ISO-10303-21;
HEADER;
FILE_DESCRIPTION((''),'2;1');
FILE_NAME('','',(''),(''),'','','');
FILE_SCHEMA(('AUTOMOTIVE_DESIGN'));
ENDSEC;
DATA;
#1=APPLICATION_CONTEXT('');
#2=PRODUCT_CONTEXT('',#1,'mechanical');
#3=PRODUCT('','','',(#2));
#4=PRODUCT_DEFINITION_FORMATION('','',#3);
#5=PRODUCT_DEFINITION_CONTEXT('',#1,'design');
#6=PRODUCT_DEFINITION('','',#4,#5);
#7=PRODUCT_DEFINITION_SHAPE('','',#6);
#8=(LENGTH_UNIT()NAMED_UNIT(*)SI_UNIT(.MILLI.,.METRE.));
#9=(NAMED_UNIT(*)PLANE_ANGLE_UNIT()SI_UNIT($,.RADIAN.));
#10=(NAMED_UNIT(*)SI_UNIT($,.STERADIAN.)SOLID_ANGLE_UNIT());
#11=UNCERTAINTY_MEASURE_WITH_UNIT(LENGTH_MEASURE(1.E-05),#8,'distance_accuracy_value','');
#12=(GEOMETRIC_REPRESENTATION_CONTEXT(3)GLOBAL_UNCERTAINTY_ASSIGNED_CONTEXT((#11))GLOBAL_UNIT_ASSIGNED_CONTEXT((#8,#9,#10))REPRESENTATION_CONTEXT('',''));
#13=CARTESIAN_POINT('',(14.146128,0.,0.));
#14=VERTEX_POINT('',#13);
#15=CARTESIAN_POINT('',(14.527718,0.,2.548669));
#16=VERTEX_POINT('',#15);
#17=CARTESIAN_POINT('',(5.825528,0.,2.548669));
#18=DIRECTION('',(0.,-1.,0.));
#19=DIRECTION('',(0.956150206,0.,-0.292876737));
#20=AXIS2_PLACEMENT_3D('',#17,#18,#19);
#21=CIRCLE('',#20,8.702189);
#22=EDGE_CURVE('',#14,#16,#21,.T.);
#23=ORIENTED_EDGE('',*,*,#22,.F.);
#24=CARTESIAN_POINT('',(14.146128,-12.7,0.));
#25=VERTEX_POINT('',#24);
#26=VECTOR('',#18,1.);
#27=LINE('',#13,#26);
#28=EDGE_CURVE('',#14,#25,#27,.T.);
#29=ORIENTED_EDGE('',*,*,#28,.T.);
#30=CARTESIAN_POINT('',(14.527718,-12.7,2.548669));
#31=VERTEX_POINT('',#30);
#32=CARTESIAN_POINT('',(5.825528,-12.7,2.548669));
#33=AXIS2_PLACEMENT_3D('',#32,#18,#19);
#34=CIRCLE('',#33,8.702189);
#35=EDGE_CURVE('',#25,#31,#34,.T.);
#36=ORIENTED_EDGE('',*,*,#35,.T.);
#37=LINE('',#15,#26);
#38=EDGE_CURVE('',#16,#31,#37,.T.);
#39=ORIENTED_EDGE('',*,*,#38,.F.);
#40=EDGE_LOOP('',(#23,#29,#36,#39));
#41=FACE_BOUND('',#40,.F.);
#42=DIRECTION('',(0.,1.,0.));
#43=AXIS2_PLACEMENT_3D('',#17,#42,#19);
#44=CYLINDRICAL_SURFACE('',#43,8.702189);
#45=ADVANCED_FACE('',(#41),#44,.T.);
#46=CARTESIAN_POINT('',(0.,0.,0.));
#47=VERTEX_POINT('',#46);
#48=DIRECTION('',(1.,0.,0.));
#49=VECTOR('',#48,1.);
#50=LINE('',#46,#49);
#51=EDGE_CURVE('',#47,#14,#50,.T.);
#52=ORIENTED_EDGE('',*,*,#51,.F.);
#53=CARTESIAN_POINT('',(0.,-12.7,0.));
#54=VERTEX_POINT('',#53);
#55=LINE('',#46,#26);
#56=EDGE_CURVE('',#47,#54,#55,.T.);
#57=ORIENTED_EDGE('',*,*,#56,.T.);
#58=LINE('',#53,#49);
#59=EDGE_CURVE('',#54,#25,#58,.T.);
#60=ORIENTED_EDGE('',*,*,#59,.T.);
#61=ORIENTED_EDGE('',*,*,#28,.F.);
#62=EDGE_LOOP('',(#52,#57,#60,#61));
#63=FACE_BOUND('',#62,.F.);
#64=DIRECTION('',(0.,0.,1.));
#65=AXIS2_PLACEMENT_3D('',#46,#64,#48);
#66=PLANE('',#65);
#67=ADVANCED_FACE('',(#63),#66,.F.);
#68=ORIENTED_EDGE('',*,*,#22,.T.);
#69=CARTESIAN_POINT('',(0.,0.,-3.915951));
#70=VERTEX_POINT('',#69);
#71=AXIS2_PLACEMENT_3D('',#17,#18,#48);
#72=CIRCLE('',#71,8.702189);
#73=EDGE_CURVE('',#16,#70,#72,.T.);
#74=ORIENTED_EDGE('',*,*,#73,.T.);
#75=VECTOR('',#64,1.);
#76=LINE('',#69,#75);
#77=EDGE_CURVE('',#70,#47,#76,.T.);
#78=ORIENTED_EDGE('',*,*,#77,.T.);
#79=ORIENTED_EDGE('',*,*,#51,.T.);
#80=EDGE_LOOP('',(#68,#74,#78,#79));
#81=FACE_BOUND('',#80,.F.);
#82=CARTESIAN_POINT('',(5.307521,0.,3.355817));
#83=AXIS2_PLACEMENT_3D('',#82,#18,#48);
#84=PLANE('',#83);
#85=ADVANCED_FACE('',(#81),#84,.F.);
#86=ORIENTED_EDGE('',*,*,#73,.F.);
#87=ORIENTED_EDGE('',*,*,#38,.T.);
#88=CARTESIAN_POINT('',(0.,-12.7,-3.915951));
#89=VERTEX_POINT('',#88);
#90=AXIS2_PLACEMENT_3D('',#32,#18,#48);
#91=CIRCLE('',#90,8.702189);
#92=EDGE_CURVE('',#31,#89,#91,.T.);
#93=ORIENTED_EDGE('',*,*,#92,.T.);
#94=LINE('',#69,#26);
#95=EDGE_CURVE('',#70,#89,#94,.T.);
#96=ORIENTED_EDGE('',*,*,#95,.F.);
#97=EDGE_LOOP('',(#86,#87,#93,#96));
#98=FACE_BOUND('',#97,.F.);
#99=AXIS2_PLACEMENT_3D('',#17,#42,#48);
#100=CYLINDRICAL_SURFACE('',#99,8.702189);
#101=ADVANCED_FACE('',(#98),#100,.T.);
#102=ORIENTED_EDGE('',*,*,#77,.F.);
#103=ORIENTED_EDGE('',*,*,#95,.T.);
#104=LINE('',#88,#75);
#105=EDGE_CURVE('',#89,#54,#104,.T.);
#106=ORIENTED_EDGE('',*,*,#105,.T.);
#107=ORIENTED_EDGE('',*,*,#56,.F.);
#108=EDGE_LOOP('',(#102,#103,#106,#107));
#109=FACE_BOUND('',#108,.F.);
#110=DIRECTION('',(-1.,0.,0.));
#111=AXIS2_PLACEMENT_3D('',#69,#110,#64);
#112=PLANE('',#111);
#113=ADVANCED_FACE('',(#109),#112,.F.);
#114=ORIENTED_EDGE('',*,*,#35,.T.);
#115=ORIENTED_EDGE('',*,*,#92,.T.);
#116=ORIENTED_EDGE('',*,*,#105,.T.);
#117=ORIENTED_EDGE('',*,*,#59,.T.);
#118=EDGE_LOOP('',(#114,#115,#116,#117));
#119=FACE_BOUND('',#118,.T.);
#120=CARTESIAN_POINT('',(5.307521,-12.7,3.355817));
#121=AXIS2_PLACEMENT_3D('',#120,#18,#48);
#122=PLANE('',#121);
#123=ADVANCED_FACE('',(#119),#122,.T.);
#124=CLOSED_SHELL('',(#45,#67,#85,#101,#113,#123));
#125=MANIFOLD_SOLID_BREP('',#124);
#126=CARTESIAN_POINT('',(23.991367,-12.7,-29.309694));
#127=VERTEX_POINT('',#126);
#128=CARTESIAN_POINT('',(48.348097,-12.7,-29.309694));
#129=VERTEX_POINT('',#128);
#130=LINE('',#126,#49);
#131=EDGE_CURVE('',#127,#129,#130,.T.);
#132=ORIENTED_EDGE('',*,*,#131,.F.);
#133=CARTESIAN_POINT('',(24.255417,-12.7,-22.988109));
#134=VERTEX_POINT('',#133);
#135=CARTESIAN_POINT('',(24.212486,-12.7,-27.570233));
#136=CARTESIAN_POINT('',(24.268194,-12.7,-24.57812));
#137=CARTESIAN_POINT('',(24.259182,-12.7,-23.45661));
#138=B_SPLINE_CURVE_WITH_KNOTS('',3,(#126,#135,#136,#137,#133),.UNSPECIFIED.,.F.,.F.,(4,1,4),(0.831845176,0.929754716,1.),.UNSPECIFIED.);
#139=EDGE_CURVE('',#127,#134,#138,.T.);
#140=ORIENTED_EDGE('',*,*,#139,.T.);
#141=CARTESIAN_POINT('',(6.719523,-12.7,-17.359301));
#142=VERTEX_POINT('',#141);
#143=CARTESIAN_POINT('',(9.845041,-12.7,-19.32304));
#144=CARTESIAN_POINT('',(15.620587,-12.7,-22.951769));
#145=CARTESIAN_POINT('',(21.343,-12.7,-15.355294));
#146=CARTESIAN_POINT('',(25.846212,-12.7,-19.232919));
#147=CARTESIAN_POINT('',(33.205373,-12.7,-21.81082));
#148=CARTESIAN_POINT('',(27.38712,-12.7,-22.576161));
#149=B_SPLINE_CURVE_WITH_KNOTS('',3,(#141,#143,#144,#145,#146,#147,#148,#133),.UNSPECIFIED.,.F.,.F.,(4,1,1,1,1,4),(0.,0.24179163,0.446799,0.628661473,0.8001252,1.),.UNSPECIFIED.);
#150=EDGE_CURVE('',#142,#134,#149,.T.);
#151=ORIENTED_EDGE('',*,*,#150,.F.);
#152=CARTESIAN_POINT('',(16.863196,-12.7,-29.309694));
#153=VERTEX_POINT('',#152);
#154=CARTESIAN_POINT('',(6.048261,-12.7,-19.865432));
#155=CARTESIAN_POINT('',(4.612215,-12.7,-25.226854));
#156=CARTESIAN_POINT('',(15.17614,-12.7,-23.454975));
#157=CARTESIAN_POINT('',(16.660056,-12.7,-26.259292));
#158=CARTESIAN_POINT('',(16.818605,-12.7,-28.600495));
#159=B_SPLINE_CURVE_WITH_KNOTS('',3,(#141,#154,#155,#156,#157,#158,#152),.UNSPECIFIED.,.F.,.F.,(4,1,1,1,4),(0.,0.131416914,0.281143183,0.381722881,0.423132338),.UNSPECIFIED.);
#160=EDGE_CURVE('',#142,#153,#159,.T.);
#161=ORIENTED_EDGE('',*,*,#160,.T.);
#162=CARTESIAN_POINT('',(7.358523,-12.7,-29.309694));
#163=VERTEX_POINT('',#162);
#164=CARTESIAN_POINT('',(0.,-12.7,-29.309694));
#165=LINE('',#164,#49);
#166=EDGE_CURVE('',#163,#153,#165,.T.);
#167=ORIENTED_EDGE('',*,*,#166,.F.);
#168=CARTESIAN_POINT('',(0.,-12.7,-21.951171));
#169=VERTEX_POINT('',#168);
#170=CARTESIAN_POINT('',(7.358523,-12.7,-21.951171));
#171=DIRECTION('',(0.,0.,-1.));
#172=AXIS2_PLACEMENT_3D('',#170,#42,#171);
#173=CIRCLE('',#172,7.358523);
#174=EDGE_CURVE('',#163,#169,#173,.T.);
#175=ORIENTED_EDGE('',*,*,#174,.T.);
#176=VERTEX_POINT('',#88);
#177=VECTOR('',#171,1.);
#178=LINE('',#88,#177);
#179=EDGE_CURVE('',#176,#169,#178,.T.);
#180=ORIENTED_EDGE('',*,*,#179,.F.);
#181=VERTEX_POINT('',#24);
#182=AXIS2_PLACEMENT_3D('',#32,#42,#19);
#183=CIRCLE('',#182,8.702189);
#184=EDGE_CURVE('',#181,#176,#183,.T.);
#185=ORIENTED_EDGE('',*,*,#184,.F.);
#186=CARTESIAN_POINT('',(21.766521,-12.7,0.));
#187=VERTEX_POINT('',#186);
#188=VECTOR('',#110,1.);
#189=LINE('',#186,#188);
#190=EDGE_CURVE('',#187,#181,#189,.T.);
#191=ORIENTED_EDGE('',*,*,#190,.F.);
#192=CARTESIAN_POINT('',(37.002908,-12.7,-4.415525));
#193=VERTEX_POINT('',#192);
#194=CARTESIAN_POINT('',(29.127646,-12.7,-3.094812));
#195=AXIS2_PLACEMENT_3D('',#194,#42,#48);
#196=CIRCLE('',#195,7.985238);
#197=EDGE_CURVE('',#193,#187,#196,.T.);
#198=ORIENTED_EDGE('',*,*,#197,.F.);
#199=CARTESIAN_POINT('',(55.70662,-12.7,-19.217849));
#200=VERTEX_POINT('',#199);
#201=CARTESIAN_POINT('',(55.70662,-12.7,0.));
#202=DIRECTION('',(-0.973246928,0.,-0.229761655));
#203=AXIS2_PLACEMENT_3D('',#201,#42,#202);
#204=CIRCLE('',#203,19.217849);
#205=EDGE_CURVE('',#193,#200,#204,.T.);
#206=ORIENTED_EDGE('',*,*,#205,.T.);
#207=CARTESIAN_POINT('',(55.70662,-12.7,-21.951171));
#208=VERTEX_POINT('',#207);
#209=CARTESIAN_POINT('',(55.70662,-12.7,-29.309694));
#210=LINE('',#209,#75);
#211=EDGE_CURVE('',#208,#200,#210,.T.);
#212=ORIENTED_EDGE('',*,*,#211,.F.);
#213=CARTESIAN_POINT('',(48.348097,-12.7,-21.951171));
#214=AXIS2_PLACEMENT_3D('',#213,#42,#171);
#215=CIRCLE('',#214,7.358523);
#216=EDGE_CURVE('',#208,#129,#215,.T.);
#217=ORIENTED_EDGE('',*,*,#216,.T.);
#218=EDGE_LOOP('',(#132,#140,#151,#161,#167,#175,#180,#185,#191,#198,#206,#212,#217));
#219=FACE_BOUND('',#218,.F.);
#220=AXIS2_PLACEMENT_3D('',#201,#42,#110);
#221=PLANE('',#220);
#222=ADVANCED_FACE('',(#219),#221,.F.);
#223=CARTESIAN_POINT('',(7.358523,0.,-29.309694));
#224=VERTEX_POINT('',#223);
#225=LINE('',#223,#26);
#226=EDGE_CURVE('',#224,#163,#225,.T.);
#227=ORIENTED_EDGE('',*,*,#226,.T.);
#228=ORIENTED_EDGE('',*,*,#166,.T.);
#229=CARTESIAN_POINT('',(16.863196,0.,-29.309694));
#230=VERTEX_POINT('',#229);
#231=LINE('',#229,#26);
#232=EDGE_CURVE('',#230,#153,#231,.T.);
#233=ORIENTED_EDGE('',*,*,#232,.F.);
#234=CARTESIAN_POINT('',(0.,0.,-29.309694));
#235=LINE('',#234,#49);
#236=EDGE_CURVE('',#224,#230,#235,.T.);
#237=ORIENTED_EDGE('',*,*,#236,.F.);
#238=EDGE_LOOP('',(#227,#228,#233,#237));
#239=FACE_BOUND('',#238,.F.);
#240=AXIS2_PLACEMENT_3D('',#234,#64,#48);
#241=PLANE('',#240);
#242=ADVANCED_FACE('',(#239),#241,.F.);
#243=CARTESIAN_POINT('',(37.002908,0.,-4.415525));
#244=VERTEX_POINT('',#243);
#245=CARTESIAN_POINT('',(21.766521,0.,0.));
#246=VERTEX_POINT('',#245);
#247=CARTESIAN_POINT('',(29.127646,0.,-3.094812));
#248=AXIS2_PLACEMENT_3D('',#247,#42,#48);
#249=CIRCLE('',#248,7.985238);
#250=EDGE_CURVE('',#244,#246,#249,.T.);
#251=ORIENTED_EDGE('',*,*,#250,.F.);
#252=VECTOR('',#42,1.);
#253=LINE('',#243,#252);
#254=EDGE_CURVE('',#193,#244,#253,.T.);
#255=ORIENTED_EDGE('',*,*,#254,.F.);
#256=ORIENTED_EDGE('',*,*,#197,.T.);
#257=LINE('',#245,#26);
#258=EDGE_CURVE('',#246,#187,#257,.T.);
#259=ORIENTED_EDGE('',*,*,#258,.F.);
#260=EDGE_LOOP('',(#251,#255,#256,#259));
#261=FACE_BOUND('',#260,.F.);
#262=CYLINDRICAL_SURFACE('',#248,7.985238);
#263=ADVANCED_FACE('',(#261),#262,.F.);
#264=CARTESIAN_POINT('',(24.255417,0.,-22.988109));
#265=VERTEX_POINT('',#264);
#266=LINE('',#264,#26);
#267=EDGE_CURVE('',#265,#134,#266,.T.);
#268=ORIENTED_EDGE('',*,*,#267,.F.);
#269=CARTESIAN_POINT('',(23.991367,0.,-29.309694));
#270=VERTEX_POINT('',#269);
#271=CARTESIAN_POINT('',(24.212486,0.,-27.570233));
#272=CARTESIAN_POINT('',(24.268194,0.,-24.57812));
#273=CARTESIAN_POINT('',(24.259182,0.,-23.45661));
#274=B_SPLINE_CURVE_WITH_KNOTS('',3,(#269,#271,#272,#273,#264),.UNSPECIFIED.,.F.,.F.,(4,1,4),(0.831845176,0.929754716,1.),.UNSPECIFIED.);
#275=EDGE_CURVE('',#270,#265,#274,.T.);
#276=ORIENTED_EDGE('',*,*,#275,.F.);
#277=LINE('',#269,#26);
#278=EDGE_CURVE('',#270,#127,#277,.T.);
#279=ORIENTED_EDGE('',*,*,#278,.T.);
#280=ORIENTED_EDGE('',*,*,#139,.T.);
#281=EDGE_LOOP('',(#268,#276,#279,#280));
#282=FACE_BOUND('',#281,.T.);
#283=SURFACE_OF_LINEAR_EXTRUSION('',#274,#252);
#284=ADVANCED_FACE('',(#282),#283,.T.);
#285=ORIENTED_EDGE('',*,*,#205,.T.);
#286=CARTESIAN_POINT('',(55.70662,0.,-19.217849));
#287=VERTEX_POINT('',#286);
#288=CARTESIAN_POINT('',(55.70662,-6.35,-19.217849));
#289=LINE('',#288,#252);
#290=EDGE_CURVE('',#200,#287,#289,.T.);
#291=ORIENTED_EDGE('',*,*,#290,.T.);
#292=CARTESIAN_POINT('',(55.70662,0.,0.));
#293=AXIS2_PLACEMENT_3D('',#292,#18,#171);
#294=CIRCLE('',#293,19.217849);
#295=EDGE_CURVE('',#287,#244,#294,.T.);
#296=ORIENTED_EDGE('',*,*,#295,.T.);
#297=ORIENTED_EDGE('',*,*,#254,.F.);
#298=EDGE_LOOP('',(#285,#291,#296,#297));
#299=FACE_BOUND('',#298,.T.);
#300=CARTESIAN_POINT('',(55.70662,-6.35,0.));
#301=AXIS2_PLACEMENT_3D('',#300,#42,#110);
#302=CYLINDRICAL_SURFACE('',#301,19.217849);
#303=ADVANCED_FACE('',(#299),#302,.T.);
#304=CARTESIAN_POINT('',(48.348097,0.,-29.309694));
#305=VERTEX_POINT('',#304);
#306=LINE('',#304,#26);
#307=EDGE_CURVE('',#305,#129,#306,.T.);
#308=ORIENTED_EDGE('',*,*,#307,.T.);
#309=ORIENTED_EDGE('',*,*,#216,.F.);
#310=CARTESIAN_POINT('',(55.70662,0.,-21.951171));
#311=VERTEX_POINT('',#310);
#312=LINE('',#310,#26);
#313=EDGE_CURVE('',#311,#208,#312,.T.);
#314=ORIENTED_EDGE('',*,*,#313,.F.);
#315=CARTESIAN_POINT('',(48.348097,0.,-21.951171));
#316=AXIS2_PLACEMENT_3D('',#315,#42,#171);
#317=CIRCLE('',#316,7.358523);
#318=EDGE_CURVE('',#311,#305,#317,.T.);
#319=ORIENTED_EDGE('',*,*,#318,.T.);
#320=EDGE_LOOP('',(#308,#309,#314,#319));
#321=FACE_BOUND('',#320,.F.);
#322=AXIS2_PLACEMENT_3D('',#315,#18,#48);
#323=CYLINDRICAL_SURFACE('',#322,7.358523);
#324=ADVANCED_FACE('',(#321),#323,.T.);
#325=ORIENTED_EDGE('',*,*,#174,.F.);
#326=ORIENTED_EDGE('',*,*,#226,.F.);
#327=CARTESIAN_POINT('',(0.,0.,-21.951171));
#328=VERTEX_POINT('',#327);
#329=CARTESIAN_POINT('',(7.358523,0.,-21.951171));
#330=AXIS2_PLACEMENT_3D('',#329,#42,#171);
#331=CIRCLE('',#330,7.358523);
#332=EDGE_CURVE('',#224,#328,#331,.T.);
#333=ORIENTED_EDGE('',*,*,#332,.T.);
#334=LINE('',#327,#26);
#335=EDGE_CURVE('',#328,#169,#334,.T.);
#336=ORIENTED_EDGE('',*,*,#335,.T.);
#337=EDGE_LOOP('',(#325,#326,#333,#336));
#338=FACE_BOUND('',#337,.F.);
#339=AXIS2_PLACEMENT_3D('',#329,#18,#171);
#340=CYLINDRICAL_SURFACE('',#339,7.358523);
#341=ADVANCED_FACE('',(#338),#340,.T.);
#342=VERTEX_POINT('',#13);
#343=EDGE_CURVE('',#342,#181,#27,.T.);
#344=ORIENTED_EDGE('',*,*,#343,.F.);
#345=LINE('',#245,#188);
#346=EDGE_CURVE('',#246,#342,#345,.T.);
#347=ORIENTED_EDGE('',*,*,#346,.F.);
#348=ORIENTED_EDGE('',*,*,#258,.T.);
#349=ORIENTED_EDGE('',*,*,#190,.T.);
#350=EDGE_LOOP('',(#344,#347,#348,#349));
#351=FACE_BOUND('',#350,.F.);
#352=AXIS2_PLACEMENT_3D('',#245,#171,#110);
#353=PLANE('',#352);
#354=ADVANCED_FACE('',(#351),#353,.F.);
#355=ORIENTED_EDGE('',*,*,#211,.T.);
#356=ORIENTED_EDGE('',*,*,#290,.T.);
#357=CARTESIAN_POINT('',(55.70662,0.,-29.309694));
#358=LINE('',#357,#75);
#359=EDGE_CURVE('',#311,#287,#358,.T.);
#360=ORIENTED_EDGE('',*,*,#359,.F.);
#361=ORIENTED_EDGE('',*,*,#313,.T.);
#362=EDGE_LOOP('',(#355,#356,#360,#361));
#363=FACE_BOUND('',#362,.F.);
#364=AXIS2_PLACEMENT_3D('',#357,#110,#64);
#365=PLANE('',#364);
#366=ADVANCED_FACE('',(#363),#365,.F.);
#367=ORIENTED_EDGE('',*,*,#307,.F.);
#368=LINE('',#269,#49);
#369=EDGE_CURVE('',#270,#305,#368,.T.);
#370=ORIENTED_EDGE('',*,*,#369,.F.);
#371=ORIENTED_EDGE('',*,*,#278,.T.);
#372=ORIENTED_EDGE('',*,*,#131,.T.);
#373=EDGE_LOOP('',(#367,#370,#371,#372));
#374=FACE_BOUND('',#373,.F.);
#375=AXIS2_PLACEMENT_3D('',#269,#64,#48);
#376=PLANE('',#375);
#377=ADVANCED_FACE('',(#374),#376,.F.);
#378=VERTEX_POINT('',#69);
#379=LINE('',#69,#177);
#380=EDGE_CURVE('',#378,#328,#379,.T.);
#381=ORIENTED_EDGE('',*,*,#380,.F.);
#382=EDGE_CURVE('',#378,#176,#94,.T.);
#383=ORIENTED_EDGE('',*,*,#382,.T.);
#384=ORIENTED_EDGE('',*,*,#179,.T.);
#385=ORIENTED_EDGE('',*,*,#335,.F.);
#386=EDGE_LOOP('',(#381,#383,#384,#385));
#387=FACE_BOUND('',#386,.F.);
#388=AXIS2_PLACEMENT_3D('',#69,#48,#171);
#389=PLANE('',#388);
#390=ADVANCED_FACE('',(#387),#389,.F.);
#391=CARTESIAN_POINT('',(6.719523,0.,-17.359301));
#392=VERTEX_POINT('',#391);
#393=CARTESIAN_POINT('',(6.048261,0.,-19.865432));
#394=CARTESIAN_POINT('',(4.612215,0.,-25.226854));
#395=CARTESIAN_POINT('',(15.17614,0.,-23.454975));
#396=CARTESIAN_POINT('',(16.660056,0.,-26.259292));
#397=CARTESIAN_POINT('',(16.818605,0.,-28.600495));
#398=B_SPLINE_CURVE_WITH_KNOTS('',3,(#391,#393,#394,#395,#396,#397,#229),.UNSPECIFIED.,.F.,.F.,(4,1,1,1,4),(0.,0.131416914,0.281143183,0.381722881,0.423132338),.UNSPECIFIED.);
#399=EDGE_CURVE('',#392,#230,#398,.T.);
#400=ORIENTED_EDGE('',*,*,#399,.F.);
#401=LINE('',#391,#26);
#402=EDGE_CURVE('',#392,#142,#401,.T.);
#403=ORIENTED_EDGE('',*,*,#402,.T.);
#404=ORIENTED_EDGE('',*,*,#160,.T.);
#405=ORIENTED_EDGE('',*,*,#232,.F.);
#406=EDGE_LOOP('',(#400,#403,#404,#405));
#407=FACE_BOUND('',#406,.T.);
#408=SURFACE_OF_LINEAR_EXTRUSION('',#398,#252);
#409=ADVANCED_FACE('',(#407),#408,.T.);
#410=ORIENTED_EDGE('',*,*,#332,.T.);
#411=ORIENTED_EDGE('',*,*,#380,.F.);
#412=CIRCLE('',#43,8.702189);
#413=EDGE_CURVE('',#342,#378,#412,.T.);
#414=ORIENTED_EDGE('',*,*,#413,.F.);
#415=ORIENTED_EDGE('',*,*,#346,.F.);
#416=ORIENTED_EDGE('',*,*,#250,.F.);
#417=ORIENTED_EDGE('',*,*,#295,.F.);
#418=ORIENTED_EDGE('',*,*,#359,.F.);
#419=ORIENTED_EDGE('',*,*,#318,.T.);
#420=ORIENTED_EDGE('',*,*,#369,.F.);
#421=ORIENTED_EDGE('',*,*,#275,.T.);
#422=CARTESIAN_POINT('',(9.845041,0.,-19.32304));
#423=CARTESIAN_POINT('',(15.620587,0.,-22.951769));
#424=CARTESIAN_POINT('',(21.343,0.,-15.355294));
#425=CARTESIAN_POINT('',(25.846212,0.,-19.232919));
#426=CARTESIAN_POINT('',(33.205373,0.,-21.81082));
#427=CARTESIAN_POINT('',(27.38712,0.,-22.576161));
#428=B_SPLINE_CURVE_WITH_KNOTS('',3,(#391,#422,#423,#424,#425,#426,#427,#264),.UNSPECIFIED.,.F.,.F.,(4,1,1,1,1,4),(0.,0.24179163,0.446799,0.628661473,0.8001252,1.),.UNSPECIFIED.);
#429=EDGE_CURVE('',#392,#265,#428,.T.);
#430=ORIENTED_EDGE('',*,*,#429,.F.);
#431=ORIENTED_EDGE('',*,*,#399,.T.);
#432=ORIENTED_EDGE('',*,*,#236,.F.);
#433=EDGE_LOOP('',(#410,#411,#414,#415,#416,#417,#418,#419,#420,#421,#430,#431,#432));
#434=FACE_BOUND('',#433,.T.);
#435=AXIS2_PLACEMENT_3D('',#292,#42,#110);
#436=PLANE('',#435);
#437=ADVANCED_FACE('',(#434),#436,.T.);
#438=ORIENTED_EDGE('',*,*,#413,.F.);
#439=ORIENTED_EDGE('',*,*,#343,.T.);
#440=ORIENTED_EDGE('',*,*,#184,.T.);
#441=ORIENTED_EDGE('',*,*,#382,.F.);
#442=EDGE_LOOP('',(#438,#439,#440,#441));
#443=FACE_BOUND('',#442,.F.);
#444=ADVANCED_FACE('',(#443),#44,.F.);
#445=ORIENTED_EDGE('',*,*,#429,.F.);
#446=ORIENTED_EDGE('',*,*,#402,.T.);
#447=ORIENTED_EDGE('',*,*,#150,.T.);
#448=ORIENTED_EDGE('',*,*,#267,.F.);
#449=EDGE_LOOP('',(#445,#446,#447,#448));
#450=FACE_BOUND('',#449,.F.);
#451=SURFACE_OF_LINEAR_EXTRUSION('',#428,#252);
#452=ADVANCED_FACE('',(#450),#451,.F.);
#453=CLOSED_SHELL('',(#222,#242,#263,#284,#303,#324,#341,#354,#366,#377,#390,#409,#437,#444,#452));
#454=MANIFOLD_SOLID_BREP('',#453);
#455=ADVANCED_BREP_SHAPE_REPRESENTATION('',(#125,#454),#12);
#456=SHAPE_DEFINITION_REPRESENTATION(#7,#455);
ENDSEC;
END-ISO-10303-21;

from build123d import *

# Parameters (mm, degrees)
F1_DEPTH  = 12.7
F2_DEPTH  = 12.7
F1_FACE_W = 19.2178485011
F1_FACE_H = 12.7
F4_R      = 7.3585229381


with BuildPart() as f1:
    # F0 (on Front) → F1 (new body)
    with BuildSketch(Plane.XZ):
        with BuildLine():
            Line((21.76652076, 0), (14.1461283629, 0))
            ThreePointArc((14.1461283629, 0), (8.1471688821, -5.8381114015), (0, -3.9159514716))
            Line((0, -3.9159514716), (0, -29.3096937239))
            Line((0, -29.3096937239), (16.8631964923, -29.3096937239))
            add(Edge.make_bspline(
                [(6.7195226438, -17.3593014479), (6.0482608246, -19.8654321823), (4.6122151952, -25.226854484), (15.1761402918, -23.4549753557), (16.6600562787, -26.2592916888), (16.8186052548, -28.6004949065), (16.8631964923, -29.3096937239)],
                knots=[0, 0, 0, 0, 0.1314169135, 0.2811431826, 0.3817228814, 0.4231323385, 0.4231323385, 0.4231323385, 0.4231323385], degree=3))
            add(Edge.make_bspline(
                [(6.7195226438, -17.3593014479), (9.8450413842, -19.3230399979), (15.6205872382, -22.9517694931), (21.3430002266, -15.355293975), (25.846211657, -19.2329189543), (33.2053726167, -21.8108203864), (27.3871203601, -22.5761607042), (24.2554172873, -22.9881089181)],
                knots=[0, 0, 0, 0, 0.2417916305, 0.4467990005, 0.6286614728, 0.8001251999, 1, 1, 1, 1], degree=3))
            add(Edge.make_bspline(
                [(23.9913668796, -29.3096937239), (24.2124863664, -27.570233309), (24.268194033, -24.5781198499), (24.2591819925, -23.4566102565), (24.2554172873, -22.9881089181)],
                knots=[0.8318451759, 0.8318451759, 0.8318451759, 0.8318451759, 0.9297547158, 1, 1, 1, 1], degree=3))
            Line((23.9913668796, -29.3096937239), (55.7066202164, -29.3096937239))
            Line((55.7066202164, -29.3096937239), (55.7066202164, 0))
            Line((55.7066202164, 0), (36.4887717152, 0))
            ThreePointArc((36.4887717152, 0), (36.9553014972, -1.5162544523), (37.11288462, -3.0948123895))
            ThreePointArc((37.11288462, -3.0948123895), (27.5490883005, -10.922467649), (21.76652076, 0))
        make_face()
    extrude(amount=F1_DEPTH)

    # F1_face (on face) → F3 (revolve)
    with BuildSketch(Plane(origin=(46.0976959658, -6.35, 0), x_dir=(1, 0, 0), z_dir=(0, 0, 1))):
        Rectangle(F1_FACE_W, F1_FACE_H)
    revolve(axis=Axis((55.7066202164, -6.35, 0), (0, 1, 0)))

    # F4
    f4_edges = [f1.edges().sort_by_distance(p)[0] for p in [
        (55.70662, -6.35, -29.309694),
        (0, -6.35, -29.309694),
    ]]
    fillet(f4_edges, radius=F4_R)


with BuildPart() as f2:
    # F0 (on Front) → F2 (new body)
    with BuildSketch(Plane.XZ):
        with BuildLine():
            Line((0, -3.9159514716), (0, 0))
            Line((0, 0), (14.1461283629, 0))
            ThreePointArc((14.1461283629, 0), (14.4317915571, 1.2601305638), (14.5277175631, 2.5486687664))
            ThreePointArc((14.5277175631, 2.5486687664), (2.2876444422, 10.4992330925), (0, -3.9159514716))
        make_face()
    extrude(amount=F2_DEPTH)


solid = Compound([f1.part, f2.part])
